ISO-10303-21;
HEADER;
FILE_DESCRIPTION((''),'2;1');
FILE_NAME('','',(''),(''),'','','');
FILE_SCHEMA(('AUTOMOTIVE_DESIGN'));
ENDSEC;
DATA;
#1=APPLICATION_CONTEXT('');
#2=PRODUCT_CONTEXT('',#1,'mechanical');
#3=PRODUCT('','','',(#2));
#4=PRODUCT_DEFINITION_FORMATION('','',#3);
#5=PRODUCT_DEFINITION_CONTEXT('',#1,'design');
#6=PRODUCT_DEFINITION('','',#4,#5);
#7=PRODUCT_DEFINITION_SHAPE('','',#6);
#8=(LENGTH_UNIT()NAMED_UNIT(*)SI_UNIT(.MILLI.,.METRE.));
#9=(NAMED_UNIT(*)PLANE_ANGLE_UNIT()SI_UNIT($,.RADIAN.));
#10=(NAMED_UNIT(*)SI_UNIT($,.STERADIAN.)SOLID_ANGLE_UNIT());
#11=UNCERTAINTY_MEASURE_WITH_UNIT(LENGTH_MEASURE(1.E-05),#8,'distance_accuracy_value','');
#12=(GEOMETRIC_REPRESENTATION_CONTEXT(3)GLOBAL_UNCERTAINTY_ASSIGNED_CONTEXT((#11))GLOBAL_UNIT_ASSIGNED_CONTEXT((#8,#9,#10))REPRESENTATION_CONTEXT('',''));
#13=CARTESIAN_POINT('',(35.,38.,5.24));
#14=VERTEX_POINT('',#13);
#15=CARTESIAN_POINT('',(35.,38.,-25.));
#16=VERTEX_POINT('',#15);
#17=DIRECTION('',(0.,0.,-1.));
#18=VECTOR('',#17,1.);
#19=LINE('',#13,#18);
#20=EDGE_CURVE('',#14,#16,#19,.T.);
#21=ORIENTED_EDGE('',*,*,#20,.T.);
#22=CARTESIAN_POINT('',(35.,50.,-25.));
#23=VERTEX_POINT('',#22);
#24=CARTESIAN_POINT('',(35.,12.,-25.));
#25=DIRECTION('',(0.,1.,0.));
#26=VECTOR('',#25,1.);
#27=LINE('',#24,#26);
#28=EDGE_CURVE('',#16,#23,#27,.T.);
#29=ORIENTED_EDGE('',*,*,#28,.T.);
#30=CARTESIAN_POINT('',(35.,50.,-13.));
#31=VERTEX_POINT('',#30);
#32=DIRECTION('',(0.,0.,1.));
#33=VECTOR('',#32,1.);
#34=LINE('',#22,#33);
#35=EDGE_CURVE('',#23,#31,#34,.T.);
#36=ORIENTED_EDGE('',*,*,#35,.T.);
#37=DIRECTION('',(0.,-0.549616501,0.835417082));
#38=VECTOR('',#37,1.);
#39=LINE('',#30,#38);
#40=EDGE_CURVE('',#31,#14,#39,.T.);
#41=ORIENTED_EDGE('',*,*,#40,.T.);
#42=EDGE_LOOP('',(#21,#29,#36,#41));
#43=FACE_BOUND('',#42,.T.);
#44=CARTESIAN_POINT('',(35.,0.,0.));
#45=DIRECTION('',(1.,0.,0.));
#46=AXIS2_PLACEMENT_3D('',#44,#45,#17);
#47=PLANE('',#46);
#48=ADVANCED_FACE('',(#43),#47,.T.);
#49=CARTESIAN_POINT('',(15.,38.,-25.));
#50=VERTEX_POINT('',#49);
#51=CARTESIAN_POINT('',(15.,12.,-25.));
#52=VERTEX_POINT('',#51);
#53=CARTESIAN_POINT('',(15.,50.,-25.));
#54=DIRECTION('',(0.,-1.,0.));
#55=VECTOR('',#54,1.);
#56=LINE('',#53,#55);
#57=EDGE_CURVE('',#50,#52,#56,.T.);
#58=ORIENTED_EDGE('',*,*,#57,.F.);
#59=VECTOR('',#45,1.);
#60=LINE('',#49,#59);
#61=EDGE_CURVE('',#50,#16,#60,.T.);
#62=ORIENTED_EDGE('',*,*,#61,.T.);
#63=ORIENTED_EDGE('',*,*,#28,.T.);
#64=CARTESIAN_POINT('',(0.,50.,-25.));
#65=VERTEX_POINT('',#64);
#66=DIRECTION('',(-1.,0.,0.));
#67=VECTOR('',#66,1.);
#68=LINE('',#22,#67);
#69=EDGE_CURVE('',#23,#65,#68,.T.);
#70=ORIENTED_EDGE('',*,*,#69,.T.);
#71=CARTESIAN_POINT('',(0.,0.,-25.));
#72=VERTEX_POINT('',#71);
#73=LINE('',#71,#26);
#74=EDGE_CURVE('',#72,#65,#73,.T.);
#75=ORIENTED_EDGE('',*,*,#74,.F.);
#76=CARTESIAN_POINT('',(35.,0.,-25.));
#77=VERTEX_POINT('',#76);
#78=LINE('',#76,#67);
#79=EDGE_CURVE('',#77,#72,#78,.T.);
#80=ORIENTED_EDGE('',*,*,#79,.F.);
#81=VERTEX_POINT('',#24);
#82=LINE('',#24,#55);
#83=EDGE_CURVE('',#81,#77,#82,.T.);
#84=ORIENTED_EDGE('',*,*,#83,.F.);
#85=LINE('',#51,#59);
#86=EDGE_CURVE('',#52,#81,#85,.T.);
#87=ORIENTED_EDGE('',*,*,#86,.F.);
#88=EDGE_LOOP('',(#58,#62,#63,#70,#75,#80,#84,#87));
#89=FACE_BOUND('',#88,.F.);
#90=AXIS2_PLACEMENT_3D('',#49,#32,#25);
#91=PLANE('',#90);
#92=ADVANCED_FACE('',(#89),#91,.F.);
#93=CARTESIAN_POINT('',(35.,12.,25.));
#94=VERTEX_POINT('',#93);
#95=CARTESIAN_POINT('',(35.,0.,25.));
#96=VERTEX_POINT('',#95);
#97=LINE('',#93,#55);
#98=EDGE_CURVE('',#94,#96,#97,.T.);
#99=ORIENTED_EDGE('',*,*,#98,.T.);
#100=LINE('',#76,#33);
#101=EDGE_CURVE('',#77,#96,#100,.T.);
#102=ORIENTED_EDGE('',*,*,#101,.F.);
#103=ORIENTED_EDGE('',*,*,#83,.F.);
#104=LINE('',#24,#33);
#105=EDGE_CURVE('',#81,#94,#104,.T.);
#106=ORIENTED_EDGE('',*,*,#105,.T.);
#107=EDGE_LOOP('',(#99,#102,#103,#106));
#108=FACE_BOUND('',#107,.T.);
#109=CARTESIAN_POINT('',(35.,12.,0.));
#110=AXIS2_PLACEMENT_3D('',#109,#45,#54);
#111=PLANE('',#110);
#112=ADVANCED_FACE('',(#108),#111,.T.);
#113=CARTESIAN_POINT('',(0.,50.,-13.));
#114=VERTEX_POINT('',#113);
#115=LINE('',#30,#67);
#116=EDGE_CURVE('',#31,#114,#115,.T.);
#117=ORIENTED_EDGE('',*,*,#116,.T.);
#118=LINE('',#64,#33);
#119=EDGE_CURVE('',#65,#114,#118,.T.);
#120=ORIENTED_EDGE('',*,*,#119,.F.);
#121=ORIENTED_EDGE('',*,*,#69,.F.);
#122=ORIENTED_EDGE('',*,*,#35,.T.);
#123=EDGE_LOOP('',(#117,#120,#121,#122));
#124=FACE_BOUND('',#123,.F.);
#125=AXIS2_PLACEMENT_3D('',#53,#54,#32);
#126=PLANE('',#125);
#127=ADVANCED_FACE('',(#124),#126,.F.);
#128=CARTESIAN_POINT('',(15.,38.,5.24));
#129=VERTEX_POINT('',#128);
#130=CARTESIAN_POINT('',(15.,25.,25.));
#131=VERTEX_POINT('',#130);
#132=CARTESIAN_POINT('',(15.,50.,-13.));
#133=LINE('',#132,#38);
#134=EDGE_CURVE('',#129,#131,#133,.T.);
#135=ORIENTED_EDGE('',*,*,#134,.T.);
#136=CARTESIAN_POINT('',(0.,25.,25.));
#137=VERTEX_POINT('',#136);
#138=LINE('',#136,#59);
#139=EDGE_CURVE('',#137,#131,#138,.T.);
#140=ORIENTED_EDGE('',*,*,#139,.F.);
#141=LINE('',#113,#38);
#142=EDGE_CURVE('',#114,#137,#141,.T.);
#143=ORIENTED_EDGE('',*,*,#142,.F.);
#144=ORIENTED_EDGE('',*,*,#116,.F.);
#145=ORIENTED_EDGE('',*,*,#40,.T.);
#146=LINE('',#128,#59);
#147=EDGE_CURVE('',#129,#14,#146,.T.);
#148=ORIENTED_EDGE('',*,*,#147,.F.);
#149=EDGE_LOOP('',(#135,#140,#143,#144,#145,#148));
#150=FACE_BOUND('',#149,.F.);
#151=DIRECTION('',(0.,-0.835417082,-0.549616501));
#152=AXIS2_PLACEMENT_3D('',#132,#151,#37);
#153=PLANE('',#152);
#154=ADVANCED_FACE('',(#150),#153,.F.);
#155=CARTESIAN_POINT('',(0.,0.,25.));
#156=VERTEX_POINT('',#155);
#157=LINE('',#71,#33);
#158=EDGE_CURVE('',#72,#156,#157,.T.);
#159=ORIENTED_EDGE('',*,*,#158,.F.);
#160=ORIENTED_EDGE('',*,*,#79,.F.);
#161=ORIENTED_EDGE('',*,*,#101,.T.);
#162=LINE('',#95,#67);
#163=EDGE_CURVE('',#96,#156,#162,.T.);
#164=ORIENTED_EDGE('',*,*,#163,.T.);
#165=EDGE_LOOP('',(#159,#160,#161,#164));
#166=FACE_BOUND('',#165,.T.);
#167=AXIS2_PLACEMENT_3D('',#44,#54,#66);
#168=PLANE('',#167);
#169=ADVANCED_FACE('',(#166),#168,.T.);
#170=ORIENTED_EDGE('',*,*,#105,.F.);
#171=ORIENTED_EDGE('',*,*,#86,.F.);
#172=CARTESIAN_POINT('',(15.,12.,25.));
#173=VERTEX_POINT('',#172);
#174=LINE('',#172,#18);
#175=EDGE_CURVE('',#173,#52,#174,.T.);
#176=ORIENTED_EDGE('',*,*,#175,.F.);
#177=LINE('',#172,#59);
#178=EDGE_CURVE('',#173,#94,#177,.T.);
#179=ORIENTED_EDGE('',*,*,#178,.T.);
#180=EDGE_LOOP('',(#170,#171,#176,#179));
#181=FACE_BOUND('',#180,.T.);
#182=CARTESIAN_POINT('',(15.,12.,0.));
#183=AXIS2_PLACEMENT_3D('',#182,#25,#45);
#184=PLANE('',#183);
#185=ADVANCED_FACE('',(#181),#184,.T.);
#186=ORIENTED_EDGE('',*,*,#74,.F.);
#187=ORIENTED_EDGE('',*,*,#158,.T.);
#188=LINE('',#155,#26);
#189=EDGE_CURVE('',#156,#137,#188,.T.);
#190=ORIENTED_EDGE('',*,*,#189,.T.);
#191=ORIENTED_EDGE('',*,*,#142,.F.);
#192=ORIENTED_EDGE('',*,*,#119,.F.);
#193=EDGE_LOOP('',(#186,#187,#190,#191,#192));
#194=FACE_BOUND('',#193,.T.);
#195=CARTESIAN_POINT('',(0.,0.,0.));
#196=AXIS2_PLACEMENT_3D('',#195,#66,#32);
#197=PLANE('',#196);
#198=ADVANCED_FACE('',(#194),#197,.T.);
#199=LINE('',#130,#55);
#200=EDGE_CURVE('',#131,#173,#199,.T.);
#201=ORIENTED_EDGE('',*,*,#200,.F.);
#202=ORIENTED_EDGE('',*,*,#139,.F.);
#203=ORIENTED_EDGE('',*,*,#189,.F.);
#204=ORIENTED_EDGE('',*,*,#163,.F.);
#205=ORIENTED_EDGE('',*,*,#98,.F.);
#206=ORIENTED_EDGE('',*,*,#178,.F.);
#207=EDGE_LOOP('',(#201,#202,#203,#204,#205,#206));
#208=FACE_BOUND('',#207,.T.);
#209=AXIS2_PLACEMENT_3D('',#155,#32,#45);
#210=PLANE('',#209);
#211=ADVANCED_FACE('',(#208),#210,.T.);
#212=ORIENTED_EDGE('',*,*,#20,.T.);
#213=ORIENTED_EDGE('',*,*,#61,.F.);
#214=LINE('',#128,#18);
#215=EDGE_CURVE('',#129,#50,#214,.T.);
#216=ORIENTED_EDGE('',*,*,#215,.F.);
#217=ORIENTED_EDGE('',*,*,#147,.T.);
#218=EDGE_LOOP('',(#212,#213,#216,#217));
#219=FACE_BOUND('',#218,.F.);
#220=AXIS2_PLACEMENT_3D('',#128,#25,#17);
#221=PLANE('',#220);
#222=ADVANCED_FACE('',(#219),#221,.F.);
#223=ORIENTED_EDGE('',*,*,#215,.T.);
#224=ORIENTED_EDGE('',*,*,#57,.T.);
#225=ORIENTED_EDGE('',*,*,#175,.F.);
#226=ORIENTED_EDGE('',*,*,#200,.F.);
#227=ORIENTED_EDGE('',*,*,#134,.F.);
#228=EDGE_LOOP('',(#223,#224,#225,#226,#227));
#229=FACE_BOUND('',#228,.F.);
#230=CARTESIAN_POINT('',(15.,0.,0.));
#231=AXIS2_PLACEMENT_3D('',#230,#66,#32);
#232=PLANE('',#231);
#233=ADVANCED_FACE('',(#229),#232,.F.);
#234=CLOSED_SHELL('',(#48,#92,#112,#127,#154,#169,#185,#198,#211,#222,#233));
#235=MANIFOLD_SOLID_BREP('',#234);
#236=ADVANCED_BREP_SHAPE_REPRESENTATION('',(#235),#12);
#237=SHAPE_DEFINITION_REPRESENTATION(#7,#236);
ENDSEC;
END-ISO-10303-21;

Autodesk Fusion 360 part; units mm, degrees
sketch "Sketch1" plane through (0, 0, 0) normal (0, 0, 1) x (1, 0, 0)
  line L0 (0, 0) -> (0, 25)
  line L1 (0, 25) -> (15, 25)
  line L2 (15, 25) -> (15, 12)
  line L3 (15, 12) -> (35, 12)
  line L4 (35, 12) -> (35, 0)
  line L5 (35, 0) -> (0, 0)
  dimension "d1" = 25
  dimension "d2" = 20
  dimension "d3" = 35
  dimension "d4" = 12
extrude "Extrude1" add sketch "Sketch1" along normal mid plane 50
sketch "Sketch2" plane through (0, 0, 0) normal (-1, 0, 0) x (0, 0, 1)
  line L0 (-25, 0) -> (25, 0)
  line L1 (25, 0) -> (25, 25)
  line L2 (25, 25) -> (-25, 25)
  line L3 (-25, 25) -> (-25, 0)
  line L4 (-25, 25) -> (-25, 50)
  line L5 (-25, 50) -> (-13, 50)
  line L6 (-13, 50) -> (25, 25)
  dimension "d7" = 25
  dimension "d8" = 12
extrude "Extrude2" add sketch "Sketch2" against normal blind 15 contours L2 L4 L5 L6
sketch "Sketch3" plane through (15, 0, 0) normal (1, 0, 0) x (0, 0, -1)
  line L0 (-25, 25) -> (-25, 12)
  line L1 (-25, 12) -> (25, 12)
  line L2 (25, 12) -> (25, 50)
  line L3 (25, 50) -> (13, 50)
  line L4 (13, 50) -> (-25, 25)
  line L5 (-5.24, 38) -> (25, 38)
  dimension "d11" = 12
extrude "Extrude3" add sketch "Sketch3" along normal blind 20 contours L2 L3 L4 L5
